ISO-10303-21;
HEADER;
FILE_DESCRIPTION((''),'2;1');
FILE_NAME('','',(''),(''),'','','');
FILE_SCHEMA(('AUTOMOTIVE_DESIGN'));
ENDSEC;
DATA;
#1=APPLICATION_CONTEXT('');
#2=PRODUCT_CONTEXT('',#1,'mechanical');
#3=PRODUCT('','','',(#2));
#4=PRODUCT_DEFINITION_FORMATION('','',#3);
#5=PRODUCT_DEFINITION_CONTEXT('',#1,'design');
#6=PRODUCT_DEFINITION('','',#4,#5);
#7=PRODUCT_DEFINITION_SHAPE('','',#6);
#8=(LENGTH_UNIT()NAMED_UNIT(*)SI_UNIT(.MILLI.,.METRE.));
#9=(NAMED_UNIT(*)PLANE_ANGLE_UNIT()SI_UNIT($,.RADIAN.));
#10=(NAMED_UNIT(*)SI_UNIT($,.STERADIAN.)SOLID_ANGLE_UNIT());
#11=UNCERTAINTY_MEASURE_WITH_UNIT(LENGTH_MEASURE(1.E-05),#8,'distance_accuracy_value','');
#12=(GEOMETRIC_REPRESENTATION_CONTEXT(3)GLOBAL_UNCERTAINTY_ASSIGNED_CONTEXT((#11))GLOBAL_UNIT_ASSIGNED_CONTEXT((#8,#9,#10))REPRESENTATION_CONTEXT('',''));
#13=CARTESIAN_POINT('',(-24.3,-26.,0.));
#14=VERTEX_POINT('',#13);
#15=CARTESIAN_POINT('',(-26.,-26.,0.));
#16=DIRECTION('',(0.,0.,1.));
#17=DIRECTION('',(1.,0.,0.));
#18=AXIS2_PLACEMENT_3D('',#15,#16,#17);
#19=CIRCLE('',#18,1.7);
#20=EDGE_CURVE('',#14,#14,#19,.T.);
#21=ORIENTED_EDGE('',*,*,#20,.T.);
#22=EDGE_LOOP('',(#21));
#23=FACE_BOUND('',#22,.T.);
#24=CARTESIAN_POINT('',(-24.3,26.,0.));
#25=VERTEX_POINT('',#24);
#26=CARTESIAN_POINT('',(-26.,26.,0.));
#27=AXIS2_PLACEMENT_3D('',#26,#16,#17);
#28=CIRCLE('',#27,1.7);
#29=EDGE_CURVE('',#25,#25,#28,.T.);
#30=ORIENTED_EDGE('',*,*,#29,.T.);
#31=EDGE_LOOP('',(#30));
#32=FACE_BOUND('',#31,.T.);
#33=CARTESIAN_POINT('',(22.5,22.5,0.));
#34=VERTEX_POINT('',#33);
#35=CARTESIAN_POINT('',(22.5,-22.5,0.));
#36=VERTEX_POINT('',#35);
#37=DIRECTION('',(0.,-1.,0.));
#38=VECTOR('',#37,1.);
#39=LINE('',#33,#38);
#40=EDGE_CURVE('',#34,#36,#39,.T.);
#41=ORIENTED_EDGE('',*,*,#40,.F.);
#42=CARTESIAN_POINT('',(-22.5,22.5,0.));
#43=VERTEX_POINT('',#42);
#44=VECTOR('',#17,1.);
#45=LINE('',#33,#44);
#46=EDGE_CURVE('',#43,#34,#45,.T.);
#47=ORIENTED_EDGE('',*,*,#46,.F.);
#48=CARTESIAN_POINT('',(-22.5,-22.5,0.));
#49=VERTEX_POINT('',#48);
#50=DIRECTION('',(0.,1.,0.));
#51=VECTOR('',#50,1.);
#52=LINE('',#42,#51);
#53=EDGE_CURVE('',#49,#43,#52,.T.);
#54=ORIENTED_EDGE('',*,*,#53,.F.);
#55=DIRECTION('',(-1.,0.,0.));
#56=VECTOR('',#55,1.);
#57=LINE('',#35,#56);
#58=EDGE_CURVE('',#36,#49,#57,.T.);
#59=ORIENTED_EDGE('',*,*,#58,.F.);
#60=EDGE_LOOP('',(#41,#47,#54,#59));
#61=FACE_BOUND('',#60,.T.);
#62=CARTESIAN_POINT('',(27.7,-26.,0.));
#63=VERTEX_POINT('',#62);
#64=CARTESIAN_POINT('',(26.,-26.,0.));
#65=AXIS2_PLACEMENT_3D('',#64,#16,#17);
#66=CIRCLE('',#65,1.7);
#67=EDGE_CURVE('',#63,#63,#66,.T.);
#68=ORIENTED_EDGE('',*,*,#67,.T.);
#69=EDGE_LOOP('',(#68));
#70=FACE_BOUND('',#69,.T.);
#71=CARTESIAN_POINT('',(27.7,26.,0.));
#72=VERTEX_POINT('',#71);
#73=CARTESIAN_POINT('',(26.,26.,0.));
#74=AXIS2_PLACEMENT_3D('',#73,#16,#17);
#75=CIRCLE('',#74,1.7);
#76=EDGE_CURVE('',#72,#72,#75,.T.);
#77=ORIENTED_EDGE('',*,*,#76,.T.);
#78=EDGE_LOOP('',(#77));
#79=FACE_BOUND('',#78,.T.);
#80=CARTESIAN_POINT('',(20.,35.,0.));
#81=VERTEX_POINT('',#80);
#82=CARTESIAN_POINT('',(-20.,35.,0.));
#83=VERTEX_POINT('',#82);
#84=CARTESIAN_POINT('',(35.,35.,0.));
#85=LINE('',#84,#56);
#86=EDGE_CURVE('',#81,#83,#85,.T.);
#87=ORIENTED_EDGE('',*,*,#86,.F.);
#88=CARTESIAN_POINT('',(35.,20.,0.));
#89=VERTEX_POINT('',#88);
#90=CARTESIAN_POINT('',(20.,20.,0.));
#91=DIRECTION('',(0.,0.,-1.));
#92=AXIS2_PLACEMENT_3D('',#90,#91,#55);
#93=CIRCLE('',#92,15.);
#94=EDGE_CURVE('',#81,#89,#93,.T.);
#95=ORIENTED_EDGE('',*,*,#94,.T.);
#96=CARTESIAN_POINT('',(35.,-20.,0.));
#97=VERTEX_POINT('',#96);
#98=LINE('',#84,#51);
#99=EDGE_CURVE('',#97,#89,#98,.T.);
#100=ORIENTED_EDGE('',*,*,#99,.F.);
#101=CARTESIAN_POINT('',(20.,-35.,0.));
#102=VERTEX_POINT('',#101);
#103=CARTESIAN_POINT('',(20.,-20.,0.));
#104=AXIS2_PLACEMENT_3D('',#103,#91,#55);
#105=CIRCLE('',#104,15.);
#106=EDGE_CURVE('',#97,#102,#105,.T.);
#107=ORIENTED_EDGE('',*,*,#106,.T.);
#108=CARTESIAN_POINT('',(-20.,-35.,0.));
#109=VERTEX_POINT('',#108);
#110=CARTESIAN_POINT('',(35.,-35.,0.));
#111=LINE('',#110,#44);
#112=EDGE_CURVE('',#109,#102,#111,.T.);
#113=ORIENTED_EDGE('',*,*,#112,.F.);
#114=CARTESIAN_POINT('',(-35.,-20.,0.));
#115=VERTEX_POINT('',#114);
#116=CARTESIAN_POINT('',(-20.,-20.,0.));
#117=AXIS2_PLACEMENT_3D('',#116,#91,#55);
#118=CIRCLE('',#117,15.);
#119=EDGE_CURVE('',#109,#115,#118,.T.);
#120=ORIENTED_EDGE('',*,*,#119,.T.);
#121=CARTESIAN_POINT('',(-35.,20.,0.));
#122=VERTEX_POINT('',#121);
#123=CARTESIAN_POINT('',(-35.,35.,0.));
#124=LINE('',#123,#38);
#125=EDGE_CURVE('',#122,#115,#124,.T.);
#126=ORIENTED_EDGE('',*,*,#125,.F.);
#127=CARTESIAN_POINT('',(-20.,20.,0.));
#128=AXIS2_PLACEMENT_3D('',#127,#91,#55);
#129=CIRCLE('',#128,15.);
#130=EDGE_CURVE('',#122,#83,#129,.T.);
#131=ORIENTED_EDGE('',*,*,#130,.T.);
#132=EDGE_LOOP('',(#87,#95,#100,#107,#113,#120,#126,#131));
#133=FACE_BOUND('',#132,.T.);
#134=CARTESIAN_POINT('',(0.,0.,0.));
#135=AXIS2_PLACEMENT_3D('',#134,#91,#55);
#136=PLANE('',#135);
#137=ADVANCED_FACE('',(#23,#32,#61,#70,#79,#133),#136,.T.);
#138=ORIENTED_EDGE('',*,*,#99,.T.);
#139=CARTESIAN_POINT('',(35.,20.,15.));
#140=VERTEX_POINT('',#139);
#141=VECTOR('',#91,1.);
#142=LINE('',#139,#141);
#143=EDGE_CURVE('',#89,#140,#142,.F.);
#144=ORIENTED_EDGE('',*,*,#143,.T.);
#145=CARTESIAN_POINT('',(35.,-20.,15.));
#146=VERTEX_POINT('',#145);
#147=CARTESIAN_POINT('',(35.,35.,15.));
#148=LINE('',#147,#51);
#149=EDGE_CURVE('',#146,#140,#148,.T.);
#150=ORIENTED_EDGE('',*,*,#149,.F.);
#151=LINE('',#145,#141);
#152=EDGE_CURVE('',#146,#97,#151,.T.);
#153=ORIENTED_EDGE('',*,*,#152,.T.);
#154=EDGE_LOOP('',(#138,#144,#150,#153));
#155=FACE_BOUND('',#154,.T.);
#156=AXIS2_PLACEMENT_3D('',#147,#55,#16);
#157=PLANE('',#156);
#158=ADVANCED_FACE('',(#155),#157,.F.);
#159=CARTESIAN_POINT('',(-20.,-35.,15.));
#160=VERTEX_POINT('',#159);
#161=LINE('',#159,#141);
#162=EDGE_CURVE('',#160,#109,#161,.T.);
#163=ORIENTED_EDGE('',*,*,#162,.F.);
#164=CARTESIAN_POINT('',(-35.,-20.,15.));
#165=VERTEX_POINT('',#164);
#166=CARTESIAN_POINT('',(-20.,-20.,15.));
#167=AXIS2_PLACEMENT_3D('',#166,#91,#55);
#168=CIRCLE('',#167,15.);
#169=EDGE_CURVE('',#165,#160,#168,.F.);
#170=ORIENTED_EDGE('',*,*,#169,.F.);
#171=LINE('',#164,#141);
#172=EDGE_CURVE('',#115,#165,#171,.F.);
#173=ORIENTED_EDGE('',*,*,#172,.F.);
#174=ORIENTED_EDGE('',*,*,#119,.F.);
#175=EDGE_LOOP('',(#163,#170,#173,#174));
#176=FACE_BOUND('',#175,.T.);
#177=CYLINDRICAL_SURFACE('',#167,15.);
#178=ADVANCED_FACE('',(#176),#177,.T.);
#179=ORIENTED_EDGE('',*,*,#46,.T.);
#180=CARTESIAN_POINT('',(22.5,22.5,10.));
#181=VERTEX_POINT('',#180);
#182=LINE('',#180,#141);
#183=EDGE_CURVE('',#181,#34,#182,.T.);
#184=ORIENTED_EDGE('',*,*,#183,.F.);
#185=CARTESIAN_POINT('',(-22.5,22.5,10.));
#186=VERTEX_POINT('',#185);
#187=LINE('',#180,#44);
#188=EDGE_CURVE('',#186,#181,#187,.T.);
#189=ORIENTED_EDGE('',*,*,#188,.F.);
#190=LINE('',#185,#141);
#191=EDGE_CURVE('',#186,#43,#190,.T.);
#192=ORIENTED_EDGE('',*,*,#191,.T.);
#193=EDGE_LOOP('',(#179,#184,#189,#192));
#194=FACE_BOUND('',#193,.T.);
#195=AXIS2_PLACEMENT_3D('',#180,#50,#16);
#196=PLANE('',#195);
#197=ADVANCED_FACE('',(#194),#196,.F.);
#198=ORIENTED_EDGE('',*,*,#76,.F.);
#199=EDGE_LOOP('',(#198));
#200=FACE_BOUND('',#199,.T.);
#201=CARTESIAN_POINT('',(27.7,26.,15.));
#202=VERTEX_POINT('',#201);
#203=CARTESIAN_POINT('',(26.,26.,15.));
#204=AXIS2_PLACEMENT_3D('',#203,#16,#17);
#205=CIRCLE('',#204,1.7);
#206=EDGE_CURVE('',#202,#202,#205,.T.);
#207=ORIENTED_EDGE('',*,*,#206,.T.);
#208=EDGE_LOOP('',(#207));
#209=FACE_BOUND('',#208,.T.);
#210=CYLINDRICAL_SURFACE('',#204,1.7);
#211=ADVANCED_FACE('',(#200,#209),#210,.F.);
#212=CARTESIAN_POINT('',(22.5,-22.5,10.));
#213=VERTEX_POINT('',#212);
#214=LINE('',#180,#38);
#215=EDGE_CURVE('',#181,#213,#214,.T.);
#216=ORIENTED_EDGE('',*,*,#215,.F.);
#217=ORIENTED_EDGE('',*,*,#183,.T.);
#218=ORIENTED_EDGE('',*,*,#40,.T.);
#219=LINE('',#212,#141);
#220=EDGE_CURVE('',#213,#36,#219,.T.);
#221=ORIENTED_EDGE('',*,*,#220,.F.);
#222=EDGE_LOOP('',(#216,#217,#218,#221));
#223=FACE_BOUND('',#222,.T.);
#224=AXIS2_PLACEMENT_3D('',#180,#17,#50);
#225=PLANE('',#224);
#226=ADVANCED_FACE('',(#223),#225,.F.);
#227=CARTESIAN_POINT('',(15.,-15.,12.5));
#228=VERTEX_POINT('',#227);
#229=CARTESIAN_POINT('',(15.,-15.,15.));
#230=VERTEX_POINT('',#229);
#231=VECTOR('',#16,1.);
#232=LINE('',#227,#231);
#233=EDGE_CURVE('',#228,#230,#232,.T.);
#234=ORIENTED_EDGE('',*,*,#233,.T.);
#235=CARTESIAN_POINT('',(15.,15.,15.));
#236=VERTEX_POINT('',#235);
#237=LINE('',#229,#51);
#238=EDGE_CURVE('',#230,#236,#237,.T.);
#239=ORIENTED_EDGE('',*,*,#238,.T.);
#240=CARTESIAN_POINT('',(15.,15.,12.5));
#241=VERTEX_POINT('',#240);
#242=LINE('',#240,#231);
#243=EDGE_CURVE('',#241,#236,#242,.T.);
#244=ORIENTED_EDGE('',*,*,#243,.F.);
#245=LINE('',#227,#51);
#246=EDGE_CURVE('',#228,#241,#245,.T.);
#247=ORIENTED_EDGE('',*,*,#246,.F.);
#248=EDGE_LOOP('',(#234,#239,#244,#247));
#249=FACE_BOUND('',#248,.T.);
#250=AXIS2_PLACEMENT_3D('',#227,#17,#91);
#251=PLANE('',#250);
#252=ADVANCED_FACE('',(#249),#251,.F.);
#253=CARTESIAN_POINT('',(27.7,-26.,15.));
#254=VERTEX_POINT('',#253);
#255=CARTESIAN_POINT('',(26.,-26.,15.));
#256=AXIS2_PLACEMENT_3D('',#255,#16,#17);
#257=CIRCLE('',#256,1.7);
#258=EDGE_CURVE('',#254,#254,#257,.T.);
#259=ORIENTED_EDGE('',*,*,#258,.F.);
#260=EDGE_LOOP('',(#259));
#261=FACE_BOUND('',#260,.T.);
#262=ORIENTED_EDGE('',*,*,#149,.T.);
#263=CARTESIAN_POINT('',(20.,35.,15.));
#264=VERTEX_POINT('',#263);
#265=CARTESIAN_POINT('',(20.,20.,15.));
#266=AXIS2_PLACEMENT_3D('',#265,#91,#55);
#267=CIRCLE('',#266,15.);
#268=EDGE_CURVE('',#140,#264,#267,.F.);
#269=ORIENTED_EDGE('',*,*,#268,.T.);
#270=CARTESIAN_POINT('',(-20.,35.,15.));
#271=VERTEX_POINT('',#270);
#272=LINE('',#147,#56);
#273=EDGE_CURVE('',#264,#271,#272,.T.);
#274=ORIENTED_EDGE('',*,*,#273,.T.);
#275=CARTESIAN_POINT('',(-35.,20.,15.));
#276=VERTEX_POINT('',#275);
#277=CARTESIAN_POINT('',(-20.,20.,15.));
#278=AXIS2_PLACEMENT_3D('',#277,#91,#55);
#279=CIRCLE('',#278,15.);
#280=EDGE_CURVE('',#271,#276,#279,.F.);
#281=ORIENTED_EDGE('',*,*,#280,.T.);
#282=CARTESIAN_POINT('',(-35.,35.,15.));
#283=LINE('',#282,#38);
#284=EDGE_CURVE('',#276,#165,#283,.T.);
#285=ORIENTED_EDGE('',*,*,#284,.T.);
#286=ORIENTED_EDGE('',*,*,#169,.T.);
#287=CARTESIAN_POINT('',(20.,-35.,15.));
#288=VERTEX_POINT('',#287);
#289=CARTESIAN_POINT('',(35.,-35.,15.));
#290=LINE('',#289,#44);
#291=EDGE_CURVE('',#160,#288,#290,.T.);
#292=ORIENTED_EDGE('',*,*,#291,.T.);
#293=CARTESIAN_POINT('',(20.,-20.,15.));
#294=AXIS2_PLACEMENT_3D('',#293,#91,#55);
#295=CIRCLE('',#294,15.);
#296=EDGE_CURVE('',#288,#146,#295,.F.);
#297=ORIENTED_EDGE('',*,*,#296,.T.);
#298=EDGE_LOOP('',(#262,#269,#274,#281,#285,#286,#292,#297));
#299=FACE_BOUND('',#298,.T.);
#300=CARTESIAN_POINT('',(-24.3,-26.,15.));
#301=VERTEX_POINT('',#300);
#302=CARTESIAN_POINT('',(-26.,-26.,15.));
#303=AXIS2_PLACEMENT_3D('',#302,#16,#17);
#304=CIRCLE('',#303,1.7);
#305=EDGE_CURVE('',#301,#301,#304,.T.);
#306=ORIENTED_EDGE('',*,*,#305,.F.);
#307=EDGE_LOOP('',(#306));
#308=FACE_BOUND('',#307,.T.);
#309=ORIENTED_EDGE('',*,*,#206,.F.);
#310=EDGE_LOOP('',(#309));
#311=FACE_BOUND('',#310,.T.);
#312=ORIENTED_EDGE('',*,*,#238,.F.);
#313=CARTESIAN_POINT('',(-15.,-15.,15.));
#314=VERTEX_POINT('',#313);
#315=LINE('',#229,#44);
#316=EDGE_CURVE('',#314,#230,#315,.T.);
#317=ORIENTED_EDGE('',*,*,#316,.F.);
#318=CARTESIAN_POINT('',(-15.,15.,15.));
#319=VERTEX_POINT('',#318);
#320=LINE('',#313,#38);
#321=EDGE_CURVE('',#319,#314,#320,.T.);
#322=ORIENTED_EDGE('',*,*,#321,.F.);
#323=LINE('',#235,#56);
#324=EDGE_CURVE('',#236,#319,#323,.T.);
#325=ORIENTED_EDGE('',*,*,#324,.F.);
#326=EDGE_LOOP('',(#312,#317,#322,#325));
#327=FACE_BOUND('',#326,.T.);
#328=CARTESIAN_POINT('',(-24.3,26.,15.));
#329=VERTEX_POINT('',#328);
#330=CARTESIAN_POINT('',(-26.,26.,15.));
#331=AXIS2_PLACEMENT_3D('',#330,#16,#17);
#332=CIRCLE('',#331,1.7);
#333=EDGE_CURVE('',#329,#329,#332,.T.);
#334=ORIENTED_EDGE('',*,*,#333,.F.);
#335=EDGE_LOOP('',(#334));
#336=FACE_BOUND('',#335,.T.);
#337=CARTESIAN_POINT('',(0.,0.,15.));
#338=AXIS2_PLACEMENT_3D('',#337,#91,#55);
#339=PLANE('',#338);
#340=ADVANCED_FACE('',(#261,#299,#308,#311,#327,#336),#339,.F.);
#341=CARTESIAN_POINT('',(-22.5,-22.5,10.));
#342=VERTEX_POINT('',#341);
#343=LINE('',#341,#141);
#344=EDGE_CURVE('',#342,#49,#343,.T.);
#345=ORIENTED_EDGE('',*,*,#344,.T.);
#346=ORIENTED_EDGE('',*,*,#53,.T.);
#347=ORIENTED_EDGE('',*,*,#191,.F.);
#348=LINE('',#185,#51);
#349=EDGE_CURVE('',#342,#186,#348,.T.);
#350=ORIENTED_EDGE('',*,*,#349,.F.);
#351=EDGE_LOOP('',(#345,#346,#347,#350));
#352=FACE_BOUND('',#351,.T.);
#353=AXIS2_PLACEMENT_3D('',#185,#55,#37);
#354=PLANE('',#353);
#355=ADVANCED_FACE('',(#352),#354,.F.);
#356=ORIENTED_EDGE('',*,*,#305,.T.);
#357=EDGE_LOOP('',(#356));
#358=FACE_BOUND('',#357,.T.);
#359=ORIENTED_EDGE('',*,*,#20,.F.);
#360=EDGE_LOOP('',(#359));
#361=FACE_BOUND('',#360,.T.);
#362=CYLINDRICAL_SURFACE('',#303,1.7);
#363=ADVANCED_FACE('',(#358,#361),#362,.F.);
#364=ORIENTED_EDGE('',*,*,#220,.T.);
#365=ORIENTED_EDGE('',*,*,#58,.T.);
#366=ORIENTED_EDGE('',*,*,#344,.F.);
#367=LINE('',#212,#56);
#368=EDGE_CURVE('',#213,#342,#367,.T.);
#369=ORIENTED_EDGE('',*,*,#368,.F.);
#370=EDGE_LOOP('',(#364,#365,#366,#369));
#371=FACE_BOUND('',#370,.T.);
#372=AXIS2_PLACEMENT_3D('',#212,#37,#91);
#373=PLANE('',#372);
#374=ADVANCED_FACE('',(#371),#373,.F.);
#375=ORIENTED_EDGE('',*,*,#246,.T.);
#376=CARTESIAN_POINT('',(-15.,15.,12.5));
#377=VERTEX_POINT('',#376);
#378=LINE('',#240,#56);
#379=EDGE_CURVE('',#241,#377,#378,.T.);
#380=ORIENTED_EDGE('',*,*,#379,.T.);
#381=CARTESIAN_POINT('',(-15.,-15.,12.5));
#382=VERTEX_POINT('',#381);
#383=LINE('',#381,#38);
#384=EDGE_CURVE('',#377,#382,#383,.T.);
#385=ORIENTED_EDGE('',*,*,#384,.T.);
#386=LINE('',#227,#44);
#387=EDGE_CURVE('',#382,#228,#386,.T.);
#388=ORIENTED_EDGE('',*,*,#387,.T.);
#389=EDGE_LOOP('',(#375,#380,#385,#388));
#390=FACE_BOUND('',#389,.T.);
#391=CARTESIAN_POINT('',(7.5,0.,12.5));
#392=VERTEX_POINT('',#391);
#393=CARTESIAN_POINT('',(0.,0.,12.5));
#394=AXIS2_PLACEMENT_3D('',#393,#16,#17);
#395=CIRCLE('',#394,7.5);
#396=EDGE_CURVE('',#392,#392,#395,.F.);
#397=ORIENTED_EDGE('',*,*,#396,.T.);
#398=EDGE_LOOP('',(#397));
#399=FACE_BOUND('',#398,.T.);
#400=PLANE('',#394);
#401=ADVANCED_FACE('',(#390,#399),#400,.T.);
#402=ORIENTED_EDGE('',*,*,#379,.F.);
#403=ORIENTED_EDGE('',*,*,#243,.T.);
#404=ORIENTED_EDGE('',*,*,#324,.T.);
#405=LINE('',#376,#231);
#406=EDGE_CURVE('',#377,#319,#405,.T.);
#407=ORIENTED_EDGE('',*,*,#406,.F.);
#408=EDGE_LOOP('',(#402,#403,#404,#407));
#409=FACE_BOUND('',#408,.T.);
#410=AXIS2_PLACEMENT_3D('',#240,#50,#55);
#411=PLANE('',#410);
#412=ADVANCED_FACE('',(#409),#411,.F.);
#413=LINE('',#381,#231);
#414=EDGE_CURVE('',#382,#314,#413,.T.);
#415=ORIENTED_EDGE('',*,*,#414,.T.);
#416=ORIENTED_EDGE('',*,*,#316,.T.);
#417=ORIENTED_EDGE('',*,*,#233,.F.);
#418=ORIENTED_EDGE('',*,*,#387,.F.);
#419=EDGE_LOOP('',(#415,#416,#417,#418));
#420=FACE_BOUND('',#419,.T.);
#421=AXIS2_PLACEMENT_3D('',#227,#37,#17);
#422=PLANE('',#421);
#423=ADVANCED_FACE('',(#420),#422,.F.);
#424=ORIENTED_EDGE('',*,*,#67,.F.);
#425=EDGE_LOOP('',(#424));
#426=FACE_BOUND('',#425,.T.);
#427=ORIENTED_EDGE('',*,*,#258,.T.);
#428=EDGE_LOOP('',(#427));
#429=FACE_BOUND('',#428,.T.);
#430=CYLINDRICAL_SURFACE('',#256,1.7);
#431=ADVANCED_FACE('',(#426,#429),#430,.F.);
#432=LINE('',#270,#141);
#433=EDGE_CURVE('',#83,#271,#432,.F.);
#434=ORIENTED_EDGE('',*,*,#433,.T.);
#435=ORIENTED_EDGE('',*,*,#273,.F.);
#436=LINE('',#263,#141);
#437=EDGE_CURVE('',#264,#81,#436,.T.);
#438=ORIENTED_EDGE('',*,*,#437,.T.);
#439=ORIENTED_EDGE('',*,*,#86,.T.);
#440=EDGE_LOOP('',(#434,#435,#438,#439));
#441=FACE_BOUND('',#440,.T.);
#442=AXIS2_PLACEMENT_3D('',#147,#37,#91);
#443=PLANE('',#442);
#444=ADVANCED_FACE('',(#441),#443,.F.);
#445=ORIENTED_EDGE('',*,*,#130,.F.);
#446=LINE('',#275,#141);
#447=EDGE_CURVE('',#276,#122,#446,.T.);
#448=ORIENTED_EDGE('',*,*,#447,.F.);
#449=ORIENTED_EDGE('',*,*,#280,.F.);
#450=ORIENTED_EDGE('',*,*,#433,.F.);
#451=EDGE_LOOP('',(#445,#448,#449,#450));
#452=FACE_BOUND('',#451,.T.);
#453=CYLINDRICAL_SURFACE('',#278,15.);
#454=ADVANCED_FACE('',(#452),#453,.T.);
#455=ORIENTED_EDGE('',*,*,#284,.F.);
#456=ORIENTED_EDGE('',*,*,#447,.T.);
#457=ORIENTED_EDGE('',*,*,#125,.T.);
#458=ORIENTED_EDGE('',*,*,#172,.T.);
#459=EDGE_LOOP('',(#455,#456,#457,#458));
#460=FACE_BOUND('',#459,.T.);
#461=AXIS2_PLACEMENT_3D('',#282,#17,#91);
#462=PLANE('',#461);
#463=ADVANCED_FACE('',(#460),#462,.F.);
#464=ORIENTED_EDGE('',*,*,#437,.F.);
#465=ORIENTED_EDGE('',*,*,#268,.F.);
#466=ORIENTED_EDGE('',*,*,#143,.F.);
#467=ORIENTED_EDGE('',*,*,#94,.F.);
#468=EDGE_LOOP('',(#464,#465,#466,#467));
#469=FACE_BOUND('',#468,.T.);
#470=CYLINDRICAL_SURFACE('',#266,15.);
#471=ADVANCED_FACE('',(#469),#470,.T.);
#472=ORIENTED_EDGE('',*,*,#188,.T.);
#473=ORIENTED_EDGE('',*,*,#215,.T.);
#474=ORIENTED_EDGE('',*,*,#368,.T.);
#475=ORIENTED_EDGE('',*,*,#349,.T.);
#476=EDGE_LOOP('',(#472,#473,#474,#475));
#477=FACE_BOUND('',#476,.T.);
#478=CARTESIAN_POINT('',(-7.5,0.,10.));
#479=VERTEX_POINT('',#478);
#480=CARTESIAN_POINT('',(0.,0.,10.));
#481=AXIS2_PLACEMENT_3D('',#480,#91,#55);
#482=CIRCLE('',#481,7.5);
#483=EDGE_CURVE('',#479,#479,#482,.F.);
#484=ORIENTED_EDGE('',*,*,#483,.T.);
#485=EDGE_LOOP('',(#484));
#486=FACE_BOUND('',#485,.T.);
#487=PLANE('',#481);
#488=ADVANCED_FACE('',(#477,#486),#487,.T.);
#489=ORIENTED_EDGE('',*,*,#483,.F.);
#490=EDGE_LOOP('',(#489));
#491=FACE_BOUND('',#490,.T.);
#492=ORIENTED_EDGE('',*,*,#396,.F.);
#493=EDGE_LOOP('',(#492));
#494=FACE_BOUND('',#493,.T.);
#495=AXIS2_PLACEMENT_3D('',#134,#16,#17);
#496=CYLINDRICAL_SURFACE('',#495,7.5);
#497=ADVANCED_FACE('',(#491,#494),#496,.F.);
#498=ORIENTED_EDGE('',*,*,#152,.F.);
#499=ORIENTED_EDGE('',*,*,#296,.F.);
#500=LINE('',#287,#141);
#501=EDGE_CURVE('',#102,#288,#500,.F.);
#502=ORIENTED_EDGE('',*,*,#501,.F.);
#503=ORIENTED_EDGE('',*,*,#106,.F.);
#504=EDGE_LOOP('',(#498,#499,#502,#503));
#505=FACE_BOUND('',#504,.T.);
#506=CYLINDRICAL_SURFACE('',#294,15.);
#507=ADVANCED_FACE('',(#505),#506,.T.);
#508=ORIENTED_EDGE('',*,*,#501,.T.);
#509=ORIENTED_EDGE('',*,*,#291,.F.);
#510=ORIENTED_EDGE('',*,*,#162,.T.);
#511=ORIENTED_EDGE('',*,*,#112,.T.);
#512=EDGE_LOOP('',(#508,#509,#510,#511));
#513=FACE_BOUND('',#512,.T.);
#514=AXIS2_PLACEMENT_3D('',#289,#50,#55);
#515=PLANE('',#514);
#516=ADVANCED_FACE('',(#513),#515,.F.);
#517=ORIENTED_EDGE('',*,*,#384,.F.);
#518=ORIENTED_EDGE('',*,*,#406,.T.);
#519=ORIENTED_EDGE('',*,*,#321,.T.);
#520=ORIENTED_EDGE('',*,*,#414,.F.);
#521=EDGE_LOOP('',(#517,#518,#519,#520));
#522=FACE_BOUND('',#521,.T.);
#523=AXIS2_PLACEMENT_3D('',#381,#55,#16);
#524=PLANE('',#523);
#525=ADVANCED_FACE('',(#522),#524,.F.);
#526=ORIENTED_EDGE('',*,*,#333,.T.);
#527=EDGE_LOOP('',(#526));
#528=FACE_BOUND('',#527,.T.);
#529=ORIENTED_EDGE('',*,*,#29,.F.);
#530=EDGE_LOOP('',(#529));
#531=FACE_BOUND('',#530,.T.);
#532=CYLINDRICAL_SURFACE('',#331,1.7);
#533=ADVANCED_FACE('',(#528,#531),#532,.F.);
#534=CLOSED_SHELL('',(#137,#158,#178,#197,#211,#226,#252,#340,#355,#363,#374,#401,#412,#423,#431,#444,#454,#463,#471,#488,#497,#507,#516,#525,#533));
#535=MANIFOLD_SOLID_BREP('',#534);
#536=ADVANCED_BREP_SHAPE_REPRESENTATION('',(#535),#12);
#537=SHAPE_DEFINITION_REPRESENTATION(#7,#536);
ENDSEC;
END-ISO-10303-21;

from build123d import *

# Parameters (mm, degrees)
SKETCH1_W            = 70
SKETCH1_H            = 70
BOSS_EXTRUDE1_DEPTH  = 15
FILLET1_R            = 15
M3_CLEARANCE_HOLE1_D = 3.4
SKETCH4_R            = 7.5
CUT_EXTRUDE1_DEPTH   = 16
SKETCH5_W            = 30
SKETCH5_H            = 30
CUT_EXTRUDE2_DEPTH   = 2.5
SKETCH6_W            = 45
SKETCH6_H            = 45
CUT_EXTRUDE3_DEPTH   = 10


with BuildPart() as part:
    # Sketch1 → Boss-Extrude1 (new body)
    with BuildSketch(Plane.XY):
        Rectangle(SKETCH1_W, SKETCH1_H)
    extrude(amount=BOSS_EXTRUDE1_DEPTH)

    # Fillet1
    fillet1_edges = [part.edges().sort_by_distance(p)[0] for p in [
        (-35, 35, 7.5),
        (35, 35, 7.5),
        (35, -35, 7.5),
        (-35, -35, 7.5),
    ]]
    fillet(fillet1_edges, radius=FILLET1_R)

    # M3 Clearance Hole1 (through all)
    with Locations(Plane.XY.offset(15)):
        with Locations((-26, -26), (26, -26), (26, 26), (-26, 26)):
            Hole(M3_CLEARANCE_HOLE1_D / 2)

    # Sketch4 → Cut-Extrude1 (cut, through all)
    with BuildSketch(Plane.XY.offset(15)):
        Circle(SKETCH4_R)
    extrude(amount=-CUT_EXTRUDE1_DEPTH, mode=Mode.SUBTRACT)

    # Sketch5 → Cut-Extrude2 (cut)
    with BuildSketch(Plane.XY.offset(15)):
        Rectangle(SKETCH5_W, SKETCH5_H)
    extrude(amount=-CUT_EXTRUDE2_DEPTH, mode=Mode.SUBTRACT)

    # Sketch6 → Cut-Extrude3 (cut)
    with BuildSketch(Plane(origin=(0, 0, 0), x_dir=(-1, 0, 0), z_dir=(0, 0, -1))):
        Rectangle(SKETCH6_W, SKETCH6_H)
    extrude(amount=-CUT_EXTRUDE3_DEPTH, mode=Mode.SUBTRACT)


solid = part.part
